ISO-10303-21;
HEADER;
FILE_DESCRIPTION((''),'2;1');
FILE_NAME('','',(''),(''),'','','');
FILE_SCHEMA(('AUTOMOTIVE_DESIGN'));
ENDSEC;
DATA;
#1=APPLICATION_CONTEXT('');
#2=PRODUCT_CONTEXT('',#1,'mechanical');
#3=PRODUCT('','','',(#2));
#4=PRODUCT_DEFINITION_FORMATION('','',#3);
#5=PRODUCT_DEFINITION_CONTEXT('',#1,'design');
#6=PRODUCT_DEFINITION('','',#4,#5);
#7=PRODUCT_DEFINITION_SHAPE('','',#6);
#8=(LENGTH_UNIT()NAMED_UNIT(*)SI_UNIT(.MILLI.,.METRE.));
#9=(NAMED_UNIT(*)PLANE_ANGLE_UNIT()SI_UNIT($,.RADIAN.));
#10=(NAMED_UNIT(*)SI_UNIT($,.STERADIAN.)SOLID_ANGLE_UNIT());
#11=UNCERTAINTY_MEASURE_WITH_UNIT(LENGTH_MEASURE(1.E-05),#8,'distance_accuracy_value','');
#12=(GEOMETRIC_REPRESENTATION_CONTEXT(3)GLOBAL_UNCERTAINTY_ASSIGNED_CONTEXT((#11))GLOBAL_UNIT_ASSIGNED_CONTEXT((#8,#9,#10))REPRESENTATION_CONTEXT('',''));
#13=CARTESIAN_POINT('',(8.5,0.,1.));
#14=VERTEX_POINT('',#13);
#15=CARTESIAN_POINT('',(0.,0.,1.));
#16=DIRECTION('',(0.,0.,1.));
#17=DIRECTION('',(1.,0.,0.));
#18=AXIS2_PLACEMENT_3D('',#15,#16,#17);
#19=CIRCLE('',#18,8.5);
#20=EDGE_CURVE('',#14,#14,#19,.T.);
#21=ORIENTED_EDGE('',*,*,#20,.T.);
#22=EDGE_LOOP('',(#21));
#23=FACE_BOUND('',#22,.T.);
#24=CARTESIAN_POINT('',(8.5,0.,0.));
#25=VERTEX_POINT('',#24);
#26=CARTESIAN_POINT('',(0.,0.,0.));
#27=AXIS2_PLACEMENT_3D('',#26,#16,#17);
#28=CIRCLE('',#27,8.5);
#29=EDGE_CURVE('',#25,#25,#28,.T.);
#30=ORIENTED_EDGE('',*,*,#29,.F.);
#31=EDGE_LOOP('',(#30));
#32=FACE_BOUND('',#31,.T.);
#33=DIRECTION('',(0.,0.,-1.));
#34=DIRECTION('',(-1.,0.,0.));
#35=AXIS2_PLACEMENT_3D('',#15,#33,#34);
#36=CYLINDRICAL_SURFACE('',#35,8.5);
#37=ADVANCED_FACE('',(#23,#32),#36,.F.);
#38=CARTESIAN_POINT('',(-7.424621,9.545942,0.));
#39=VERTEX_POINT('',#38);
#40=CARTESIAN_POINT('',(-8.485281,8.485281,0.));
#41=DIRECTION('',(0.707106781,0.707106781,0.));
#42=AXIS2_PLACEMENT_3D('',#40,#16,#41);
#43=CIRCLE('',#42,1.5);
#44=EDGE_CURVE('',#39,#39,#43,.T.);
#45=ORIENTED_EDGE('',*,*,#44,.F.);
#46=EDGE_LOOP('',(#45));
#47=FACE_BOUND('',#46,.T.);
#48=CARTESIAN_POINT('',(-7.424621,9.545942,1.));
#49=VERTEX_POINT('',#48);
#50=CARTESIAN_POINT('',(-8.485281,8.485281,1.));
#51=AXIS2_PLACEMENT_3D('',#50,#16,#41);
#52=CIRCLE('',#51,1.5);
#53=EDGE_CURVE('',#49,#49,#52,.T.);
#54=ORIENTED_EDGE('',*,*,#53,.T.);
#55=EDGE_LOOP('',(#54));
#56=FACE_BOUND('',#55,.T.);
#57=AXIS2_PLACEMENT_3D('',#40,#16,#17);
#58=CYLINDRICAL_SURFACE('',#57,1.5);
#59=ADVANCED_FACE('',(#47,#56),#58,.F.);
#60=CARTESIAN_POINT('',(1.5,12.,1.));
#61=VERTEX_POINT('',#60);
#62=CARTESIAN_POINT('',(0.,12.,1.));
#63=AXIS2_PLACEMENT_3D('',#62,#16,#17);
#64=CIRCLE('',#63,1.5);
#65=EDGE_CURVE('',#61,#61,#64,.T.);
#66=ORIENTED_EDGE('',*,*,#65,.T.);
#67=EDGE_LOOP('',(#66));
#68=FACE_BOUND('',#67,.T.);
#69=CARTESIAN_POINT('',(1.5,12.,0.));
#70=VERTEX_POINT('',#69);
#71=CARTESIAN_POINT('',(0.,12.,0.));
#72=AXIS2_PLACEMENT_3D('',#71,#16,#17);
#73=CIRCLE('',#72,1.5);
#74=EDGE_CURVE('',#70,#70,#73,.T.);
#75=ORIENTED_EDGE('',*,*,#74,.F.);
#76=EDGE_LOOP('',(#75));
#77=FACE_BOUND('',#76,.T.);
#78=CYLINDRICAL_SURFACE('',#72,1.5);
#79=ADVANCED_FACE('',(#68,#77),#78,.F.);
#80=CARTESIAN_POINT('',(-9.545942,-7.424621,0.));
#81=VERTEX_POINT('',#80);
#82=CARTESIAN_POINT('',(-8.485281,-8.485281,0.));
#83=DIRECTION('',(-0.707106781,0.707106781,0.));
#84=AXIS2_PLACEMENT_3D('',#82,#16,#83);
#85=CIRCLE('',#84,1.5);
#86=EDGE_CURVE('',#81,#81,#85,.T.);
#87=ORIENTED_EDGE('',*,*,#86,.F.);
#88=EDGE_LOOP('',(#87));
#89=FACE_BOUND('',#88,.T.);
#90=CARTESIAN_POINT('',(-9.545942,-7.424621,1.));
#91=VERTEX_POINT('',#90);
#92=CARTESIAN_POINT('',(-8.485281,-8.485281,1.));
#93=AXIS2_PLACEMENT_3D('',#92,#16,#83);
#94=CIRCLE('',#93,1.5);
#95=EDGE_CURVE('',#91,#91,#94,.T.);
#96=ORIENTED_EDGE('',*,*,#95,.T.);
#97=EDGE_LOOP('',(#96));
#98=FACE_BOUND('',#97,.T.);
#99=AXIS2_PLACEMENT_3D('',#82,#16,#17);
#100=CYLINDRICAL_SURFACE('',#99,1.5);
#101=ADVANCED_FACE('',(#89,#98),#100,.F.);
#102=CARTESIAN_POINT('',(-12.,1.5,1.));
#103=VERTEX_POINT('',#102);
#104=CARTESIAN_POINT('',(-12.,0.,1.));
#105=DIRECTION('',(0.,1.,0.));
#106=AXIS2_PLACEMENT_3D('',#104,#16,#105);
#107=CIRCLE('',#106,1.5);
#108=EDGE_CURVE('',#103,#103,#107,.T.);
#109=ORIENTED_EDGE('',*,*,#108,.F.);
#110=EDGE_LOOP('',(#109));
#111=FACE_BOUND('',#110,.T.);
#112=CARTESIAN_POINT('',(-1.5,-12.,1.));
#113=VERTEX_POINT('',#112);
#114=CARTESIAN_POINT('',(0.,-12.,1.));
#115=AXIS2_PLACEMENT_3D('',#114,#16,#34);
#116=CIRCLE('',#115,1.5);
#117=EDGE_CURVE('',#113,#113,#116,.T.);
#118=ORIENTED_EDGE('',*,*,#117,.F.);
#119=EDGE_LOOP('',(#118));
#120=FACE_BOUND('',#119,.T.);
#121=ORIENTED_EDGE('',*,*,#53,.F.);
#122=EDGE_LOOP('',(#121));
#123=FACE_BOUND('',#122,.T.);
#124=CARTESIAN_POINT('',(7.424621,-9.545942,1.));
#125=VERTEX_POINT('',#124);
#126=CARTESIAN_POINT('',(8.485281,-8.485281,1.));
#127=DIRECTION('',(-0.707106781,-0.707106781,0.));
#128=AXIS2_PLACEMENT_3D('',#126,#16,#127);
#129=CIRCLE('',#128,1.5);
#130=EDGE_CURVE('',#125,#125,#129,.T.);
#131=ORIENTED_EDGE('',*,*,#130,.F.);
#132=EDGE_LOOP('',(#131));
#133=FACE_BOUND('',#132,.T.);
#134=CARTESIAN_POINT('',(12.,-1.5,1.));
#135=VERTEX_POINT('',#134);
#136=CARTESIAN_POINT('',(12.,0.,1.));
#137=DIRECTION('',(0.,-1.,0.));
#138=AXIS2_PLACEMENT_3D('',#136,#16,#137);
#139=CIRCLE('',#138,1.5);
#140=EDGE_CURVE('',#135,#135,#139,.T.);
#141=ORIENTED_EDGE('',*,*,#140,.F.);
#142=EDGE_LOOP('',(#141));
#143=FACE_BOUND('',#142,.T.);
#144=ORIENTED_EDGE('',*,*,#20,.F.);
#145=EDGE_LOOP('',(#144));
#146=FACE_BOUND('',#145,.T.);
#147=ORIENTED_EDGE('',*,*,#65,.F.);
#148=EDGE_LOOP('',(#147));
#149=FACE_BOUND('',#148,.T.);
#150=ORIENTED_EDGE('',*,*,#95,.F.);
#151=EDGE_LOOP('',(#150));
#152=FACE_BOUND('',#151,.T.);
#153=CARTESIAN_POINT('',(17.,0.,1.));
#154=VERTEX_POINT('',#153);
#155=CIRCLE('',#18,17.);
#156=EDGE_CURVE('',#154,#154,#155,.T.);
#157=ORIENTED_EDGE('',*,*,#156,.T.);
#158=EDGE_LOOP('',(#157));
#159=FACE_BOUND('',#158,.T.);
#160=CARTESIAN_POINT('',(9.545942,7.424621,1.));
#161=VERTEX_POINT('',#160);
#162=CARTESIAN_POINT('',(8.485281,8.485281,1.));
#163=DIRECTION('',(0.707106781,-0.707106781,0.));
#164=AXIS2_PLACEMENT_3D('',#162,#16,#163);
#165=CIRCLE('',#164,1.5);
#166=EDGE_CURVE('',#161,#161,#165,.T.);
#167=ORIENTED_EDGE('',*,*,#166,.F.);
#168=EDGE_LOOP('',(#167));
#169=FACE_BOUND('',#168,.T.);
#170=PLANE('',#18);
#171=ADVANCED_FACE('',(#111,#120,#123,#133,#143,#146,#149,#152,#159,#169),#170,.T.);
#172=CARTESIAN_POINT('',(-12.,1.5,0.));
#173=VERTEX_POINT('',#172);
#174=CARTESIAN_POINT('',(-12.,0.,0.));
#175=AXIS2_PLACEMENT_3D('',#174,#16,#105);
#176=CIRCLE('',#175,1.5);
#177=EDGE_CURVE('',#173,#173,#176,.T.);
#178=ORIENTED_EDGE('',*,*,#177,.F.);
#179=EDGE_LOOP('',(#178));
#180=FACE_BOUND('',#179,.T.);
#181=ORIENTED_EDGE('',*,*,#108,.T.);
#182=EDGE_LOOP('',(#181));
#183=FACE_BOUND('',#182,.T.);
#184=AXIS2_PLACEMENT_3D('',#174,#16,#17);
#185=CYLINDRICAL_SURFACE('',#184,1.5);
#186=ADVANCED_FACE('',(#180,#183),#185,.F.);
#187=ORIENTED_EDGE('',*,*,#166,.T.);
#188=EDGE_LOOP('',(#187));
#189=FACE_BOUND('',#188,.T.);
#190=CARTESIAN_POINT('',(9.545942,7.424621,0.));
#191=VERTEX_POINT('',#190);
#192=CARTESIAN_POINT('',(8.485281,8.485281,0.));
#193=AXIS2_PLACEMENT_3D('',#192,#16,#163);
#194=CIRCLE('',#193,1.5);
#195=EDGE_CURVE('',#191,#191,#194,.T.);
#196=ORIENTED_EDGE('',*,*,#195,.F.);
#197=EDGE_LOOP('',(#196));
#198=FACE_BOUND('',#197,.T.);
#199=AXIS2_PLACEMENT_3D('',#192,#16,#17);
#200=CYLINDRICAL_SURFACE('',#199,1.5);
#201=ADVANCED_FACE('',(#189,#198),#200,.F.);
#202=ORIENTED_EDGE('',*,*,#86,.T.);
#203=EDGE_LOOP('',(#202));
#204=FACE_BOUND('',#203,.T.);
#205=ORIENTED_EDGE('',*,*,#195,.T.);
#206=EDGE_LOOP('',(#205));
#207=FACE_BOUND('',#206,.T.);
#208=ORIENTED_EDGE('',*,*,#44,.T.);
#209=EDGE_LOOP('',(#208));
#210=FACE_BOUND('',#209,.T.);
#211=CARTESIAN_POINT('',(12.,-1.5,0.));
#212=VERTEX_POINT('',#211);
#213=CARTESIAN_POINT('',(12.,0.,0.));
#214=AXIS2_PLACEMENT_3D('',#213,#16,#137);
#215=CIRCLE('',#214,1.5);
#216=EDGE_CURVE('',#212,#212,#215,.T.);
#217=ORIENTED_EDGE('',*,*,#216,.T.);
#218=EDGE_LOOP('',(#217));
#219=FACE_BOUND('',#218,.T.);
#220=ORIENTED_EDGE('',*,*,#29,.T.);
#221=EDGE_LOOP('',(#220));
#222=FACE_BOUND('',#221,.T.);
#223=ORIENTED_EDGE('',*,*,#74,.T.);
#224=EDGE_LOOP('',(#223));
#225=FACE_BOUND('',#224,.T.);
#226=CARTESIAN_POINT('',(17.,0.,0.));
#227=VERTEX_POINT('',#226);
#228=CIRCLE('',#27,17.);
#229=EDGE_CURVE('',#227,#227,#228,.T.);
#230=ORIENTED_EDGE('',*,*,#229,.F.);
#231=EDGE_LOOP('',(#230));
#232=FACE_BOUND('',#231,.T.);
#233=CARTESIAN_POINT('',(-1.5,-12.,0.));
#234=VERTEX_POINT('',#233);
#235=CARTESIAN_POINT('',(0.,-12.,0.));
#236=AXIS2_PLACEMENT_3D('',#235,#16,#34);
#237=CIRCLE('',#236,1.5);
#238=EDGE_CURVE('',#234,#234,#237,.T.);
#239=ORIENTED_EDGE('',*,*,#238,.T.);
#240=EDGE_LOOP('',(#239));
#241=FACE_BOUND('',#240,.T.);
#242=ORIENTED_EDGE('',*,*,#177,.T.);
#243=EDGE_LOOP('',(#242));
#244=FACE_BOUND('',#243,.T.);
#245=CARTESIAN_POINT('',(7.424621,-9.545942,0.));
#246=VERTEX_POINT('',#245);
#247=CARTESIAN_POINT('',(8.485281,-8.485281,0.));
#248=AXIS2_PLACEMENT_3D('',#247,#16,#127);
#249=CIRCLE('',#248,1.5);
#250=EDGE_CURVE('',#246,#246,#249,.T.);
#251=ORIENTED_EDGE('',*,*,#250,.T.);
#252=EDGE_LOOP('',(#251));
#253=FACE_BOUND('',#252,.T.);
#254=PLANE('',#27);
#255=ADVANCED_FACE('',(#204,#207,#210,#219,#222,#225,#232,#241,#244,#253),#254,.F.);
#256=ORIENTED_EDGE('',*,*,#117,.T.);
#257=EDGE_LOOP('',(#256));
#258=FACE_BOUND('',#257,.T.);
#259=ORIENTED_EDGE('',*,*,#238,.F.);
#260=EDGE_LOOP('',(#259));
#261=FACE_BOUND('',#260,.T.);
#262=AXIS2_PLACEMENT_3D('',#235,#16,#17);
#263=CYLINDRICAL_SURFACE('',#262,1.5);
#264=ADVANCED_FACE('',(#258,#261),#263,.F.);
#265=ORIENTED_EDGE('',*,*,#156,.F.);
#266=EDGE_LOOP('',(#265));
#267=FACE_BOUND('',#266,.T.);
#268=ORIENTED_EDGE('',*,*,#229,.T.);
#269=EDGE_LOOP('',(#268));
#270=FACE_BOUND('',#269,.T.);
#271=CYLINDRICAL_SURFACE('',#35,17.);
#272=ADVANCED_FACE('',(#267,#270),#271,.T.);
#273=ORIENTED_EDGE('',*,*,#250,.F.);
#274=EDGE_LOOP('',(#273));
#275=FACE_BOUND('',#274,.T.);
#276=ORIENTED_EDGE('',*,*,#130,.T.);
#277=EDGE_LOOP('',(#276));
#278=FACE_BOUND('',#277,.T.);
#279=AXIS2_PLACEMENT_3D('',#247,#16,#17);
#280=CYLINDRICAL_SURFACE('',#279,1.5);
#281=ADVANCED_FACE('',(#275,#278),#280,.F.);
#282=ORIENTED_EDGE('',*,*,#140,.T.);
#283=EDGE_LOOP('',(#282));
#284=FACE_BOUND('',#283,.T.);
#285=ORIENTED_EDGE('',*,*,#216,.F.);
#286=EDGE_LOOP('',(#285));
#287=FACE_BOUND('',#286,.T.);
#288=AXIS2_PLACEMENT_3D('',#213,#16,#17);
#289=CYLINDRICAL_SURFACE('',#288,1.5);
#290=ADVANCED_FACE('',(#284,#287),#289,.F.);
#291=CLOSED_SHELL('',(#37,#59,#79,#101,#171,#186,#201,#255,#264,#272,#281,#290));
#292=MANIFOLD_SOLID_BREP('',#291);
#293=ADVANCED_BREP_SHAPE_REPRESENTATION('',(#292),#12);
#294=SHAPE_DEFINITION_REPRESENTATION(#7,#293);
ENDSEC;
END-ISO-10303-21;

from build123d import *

# Parameters (mm, degrees)
SKETCH1_R           = 17
SKETCH1_R_2         = 8.5
BOSS_EXTRUDE1_DEPTH = 1
CUT_EXTRUDE1_START  = -2
SKETCH2_R           = 1.5
CUT_EXTRUDE1_DEPTH  = 3
CIRPATTERN1_COUNT   = 8


with BuildPart() as part:
    # Sketch1 → Boss-Extrude1 (new body)
    with BuildSketch(Plane.XY):
        Circle(SKETCH1_R)
        Circle(SKETCH1_R_2, mode=Mode.SUBTRACT)
    extrude(amount=BOSS_EXTRUDE1_DEPTH)

    # Sketch2 → Cut-Extrude1 (cut)
    with BuildSketch(Plane.XY.offset(1).offset(CUT_EXTRUDE1_START)):
        with Locations((0, 12)):
            Circle(SKETCH2_R)
    cut_extrude1 = extrude(amount=CUT_EXTRUDE1_DEPTH, mode=Mode.SUBTRACT)

    # CirPattern1: Cut-Extrude1 ×8 about axis
    cirpattern1_axis = Axis((0, 0, 0), (0, 0, 1))
    for i in range(1, CIRPATTERN1_COUNT):
        add(cut_extrude1.rotate(cirpattern1_axis, i * 360 / CIRPATTERN1_COUNT), mode=Mode.SUBTRACT)


solid = part.part
